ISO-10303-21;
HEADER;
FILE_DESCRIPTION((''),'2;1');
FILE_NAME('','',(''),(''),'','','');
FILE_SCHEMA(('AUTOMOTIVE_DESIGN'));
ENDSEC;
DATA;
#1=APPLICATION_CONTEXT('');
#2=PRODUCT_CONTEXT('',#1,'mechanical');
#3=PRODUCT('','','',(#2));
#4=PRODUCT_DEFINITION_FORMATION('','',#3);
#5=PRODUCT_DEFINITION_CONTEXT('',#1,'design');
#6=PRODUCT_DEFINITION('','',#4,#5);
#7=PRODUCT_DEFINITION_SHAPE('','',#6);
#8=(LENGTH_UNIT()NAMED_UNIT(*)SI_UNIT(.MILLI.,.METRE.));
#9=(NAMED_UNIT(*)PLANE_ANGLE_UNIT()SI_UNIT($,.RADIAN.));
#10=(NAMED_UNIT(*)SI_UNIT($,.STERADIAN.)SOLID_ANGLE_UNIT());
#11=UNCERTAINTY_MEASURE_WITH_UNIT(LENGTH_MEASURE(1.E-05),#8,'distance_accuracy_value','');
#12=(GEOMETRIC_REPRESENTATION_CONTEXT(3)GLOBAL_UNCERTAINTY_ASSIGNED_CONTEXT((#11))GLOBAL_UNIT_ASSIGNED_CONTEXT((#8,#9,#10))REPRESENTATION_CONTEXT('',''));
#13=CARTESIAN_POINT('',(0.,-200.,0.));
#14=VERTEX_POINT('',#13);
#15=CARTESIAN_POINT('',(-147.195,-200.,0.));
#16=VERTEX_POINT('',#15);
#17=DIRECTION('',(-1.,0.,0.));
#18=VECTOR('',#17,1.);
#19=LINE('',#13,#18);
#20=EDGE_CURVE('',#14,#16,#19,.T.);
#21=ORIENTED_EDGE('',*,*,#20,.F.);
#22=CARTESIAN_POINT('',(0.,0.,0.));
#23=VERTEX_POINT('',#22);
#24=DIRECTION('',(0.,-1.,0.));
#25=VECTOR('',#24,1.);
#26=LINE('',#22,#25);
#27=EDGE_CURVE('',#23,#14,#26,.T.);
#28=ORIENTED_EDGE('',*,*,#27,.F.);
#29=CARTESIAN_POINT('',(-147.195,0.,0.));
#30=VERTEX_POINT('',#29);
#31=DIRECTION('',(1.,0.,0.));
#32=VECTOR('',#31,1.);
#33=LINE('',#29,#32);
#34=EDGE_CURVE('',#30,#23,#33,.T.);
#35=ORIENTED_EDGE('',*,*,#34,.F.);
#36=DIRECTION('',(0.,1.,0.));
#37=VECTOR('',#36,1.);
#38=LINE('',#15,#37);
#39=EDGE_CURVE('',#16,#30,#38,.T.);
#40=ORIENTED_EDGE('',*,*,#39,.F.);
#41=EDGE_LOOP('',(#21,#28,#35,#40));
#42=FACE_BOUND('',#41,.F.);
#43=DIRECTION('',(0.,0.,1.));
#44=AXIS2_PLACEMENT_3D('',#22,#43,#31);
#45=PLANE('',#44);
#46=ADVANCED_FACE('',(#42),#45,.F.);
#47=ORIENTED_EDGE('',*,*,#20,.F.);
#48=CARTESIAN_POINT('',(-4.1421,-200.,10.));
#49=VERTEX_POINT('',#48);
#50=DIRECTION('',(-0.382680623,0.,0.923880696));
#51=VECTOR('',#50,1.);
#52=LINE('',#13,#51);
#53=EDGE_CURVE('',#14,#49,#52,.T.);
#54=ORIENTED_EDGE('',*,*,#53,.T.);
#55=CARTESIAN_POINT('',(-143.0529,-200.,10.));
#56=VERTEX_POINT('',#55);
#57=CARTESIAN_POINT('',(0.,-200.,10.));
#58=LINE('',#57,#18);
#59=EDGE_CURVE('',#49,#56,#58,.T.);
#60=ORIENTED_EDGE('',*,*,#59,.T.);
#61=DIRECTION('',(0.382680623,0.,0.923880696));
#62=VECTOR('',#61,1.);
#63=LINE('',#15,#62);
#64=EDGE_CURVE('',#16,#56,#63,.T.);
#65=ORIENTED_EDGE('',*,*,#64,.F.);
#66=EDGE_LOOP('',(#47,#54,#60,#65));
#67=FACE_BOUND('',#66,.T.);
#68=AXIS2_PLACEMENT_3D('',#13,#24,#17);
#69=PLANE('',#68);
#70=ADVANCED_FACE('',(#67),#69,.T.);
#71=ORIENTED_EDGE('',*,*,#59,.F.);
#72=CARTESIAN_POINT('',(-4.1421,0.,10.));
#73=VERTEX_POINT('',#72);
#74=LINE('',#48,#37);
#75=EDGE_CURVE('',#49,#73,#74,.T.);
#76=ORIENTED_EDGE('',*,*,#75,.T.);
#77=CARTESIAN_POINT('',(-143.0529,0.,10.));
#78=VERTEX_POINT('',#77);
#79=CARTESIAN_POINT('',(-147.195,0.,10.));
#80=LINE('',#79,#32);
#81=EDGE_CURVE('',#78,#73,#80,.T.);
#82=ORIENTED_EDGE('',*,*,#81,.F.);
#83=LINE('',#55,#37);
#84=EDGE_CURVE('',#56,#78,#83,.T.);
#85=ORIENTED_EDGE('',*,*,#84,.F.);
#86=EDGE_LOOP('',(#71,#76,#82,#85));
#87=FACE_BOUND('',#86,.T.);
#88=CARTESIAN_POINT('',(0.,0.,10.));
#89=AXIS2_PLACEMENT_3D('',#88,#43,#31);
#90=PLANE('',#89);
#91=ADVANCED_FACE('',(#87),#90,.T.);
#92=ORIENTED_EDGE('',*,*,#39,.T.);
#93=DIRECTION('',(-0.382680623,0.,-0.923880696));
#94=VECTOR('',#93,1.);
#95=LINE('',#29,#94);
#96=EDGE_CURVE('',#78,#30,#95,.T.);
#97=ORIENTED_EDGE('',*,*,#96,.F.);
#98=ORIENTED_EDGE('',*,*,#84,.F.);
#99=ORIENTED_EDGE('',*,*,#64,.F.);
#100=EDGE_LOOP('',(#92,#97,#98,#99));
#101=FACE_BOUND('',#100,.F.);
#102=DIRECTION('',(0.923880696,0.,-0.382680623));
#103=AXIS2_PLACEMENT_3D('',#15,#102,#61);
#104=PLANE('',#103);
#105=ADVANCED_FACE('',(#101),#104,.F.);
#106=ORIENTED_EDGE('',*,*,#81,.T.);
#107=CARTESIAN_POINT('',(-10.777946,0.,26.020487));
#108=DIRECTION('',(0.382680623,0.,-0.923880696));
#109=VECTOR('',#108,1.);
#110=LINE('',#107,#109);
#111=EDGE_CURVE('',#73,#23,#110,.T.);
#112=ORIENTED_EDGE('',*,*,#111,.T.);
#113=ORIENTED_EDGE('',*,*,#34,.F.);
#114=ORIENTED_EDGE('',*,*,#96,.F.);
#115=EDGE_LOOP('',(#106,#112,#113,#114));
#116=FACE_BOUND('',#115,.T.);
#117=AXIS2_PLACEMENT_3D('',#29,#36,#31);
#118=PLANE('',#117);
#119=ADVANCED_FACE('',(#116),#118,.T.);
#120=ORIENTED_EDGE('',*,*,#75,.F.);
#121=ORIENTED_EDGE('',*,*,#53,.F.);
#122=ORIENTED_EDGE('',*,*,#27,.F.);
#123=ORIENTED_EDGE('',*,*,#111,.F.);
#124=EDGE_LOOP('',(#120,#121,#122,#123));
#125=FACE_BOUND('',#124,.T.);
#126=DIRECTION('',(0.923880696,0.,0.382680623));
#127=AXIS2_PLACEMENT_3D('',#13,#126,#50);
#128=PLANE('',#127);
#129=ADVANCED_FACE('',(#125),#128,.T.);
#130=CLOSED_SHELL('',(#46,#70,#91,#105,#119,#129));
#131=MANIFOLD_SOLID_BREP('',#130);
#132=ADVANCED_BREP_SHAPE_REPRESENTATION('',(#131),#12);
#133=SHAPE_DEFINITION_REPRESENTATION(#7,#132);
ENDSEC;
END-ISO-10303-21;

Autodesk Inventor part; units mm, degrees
ref_plane "YZ Plane" through (0, 0, 0) normal (1, 0, 0) x (0, 1, 0)
ref_plane "XZ Plane" through (0, 0, 0) normal (0, 1, 0) x (-1, 0, 0)
ref_plane "XY Plane" through (0, 0, 0) normal (0, 0, 1) x (1, 0, 0)
sketch "Skizze1" plane through (0, 0, 0) normal (0, 0, 1) x (1, 0, 0)
  line L0 (-147.195, 0) -> (0, 0)
  line L1 (0, 0) -> (0, -200)
  line L2 (0, -200) -> (-147.195, -200)
  line L3 (-147.195, -200) -> (-147.195, 0)
  point P0 (0, 0)
  point P1 (0, 0)
  dimension "d0" = 147.195
  dimension "d1" = 200
  dimension "d2" = 0
  dimension "d3" = 0
  dimension "d4" = 0
  dimension "d5" = 0
  dimension "d6" = 0
  dimension "d7" = 200
  dimension "d8" = 147.195
  dimension "d9" = 0
  dimension "d10" = 147.195
  dimension "d11" = 200
extrude "Extrusion1" add sketch "Skizze1" along normal blind 10
sketch "Skizze2" plane through (-147.195, -200, 0) normal (0, -1, 0) x (1, 0, 0)
  line L0 (0, 0) -> (0, 10) projected
  line L1 (0, 0) -> (4.1421, 10)
  line L2 (0, 0) -> (8.0392, 0) construction
  line L3 (0, 10) -> (147.195, 10) projected
  line L4 (0, 10) -> (4.1421, 10)
  line L5 (0, 10) -> (0, 0)
  line L6 (147.195, 0) -> (147.195, 10)
  line L7 (143.0529, 10) -> (147.195, 10)
  line L8 (147.195, 0) -> (147.195, 10) projected
  line L9 (147.195, 0) -> (143.0529, 10)
  line L10 (147.195, 0) -> (156.606, 0) construction
  point P0 (4.1421, 10)
  dimension "d14" = 67.5
  dimension "d15" = 112.5
extrude "Extrusion2" cut sketch "Skizze2" against normal through all
properties part number "PlatteInnenzweiSeiten"
